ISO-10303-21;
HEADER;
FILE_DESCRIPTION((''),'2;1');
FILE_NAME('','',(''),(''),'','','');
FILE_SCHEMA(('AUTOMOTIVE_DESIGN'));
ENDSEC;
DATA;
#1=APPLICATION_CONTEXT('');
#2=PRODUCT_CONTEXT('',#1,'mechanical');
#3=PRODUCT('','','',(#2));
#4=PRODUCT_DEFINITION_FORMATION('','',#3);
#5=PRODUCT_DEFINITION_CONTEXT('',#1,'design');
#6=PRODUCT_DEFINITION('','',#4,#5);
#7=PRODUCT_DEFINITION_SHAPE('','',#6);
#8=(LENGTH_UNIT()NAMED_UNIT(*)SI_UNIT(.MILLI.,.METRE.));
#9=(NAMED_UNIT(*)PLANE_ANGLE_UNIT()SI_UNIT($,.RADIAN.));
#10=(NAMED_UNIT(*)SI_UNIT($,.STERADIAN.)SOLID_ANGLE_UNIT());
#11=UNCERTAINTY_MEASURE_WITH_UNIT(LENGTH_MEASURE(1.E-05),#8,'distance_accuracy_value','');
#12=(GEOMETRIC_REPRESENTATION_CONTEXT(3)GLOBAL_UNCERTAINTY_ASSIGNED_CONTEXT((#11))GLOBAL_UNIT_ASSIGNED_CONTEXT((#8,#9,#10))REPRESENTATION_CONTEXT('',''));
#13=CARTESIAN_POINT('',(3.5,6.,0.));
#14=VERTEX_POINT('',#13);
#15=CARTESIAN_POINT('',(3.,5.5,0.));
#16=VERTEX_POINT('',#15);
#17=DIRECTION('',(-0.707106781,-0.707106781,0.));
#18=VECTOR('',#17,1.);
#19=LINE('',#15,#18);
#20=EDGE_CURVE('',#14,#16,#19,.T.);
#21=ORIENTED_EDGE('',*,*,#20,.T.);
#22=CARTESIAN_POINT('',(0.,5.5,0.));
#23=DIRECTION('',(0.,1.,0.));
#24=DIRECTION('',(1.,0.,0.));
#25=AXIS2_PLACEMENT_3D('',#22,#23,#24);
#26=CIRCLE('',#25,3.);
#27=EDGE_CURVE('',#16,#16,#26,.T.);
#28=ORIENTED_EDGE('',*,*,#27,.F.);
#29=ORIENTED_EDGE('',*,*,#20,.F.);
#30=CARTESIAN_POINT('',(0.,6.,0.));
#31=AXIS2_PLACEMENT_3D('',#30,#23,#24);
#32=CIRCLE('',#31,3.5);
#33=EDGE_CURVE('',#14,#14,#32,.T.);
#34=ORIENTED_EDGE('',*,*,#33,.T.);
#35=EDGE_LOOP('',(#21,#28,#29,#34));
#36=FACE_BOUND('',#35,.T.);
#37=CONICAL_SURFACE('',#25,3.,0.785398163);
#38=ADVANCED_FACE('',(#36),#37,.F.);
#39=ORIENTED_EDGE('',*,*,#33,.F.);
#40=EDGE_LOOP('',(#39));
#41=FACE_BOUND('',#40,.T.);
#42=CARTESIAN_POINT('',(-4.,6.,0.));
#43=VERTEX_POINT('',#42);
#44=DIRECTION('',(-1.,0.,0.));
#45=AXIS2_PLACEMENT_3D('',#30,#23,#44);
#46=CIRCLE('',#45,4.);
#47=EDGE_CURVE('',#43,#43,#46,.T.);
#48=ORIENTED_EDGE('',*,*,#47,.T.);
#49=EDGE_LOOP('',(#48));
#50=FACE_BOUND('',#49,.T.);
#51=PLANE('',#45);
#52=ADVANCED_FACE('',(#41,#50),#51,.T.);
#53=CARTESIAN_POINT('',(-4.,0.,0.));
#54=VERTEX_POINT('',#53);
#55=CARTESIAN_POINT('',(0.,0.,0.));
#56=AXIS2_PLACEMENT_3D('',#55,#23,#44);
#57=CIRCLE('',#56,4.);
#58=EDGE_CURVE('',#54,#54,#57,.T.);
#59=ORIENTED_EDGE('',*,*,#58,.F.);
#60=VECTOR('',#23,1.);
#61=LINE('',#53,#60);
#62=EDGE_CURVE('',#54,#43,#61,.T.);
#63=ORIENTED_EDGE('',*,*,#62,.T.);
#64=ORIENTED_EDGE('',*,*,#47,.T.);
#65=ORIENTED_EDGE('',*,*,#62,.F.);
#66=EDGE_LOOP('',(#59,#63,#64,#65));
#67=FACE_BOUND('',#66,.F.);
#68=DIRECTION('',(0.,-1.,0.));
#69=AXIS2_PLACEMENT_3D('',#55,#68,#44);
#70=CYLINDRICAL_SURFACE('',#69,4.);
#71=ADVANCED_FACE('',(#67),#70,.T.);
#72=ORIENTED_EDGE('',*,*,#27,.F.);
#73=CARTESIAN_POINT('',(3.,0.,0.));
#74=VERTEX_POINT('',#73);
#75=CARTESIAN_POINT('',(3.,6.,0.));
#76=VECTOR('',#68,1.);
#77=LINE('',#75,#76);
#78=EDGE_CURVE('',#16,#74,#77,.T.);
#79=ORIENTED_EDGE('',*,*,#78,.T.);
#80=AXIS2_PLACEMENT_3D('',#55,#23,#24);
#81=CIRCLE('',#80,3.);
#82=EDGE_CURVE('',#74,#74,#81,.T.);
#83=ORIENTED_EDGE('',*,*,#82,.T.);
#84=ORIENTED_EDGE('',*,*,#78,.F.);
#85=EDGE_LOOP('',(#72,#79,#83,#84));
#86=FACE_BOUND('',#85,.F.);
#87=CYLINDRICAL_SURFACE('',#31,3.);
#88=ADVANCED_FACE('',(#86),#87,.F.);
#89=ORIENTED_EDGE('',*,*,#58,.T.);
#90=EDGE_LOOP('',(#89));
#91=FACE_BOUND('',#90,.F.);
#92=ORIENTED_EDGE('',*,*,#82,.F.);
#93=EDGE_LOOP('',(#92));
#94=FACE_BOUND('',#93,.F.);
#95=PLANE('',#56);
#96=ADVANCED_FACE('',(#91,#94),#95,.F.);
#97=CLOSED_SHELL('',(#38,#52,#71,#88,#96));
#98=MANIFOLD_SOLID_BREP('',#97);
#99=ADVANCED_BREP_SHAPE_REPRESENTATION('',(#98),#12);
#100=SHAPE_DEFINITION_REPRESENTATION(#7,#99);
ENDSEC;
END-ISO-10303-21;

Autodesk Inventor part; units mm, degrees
ref_plane "YZ Plane" through (0, 0, 0) normal (1, 0, 0) x (0, 1, 0)
ref_plane "XZ Plane" through (0, 0, 0) normal (0, 1, 0) x (-1, 0, 0)
ref_plane "XY Plane" through (0, 0, 0) normal (0, 0, 1) x (1, 0, 0)
sketch "Sketch1" plane through (0, 0, 0) normal (0, 1, 0) x (-1, 0, 0)
  circle A0 centre (0, 0) radius 4
  dimension "d0" = 8
extrude "Extrusion1" add sketch "Sketch1" along normal blind 6
sketch "Sketch2" plane through (0, 6, 0) normal (0, 1, 0) x (1, 0, 0)
  circle A0 centre (0, 0) radius 4 projected
  circle A1 centre (0, 0) radius 3
  dimension "d3" = 6
extrude "Extrusion2" cut sketch "Sketch2" against normal up to next contours A1
chamfer "Chamfer1" distance 0.5 angle 45 1 edges at (-3, 6, 0)
properties part number "E3DBowdenInsert" material "Brass, Soft Yellow"
